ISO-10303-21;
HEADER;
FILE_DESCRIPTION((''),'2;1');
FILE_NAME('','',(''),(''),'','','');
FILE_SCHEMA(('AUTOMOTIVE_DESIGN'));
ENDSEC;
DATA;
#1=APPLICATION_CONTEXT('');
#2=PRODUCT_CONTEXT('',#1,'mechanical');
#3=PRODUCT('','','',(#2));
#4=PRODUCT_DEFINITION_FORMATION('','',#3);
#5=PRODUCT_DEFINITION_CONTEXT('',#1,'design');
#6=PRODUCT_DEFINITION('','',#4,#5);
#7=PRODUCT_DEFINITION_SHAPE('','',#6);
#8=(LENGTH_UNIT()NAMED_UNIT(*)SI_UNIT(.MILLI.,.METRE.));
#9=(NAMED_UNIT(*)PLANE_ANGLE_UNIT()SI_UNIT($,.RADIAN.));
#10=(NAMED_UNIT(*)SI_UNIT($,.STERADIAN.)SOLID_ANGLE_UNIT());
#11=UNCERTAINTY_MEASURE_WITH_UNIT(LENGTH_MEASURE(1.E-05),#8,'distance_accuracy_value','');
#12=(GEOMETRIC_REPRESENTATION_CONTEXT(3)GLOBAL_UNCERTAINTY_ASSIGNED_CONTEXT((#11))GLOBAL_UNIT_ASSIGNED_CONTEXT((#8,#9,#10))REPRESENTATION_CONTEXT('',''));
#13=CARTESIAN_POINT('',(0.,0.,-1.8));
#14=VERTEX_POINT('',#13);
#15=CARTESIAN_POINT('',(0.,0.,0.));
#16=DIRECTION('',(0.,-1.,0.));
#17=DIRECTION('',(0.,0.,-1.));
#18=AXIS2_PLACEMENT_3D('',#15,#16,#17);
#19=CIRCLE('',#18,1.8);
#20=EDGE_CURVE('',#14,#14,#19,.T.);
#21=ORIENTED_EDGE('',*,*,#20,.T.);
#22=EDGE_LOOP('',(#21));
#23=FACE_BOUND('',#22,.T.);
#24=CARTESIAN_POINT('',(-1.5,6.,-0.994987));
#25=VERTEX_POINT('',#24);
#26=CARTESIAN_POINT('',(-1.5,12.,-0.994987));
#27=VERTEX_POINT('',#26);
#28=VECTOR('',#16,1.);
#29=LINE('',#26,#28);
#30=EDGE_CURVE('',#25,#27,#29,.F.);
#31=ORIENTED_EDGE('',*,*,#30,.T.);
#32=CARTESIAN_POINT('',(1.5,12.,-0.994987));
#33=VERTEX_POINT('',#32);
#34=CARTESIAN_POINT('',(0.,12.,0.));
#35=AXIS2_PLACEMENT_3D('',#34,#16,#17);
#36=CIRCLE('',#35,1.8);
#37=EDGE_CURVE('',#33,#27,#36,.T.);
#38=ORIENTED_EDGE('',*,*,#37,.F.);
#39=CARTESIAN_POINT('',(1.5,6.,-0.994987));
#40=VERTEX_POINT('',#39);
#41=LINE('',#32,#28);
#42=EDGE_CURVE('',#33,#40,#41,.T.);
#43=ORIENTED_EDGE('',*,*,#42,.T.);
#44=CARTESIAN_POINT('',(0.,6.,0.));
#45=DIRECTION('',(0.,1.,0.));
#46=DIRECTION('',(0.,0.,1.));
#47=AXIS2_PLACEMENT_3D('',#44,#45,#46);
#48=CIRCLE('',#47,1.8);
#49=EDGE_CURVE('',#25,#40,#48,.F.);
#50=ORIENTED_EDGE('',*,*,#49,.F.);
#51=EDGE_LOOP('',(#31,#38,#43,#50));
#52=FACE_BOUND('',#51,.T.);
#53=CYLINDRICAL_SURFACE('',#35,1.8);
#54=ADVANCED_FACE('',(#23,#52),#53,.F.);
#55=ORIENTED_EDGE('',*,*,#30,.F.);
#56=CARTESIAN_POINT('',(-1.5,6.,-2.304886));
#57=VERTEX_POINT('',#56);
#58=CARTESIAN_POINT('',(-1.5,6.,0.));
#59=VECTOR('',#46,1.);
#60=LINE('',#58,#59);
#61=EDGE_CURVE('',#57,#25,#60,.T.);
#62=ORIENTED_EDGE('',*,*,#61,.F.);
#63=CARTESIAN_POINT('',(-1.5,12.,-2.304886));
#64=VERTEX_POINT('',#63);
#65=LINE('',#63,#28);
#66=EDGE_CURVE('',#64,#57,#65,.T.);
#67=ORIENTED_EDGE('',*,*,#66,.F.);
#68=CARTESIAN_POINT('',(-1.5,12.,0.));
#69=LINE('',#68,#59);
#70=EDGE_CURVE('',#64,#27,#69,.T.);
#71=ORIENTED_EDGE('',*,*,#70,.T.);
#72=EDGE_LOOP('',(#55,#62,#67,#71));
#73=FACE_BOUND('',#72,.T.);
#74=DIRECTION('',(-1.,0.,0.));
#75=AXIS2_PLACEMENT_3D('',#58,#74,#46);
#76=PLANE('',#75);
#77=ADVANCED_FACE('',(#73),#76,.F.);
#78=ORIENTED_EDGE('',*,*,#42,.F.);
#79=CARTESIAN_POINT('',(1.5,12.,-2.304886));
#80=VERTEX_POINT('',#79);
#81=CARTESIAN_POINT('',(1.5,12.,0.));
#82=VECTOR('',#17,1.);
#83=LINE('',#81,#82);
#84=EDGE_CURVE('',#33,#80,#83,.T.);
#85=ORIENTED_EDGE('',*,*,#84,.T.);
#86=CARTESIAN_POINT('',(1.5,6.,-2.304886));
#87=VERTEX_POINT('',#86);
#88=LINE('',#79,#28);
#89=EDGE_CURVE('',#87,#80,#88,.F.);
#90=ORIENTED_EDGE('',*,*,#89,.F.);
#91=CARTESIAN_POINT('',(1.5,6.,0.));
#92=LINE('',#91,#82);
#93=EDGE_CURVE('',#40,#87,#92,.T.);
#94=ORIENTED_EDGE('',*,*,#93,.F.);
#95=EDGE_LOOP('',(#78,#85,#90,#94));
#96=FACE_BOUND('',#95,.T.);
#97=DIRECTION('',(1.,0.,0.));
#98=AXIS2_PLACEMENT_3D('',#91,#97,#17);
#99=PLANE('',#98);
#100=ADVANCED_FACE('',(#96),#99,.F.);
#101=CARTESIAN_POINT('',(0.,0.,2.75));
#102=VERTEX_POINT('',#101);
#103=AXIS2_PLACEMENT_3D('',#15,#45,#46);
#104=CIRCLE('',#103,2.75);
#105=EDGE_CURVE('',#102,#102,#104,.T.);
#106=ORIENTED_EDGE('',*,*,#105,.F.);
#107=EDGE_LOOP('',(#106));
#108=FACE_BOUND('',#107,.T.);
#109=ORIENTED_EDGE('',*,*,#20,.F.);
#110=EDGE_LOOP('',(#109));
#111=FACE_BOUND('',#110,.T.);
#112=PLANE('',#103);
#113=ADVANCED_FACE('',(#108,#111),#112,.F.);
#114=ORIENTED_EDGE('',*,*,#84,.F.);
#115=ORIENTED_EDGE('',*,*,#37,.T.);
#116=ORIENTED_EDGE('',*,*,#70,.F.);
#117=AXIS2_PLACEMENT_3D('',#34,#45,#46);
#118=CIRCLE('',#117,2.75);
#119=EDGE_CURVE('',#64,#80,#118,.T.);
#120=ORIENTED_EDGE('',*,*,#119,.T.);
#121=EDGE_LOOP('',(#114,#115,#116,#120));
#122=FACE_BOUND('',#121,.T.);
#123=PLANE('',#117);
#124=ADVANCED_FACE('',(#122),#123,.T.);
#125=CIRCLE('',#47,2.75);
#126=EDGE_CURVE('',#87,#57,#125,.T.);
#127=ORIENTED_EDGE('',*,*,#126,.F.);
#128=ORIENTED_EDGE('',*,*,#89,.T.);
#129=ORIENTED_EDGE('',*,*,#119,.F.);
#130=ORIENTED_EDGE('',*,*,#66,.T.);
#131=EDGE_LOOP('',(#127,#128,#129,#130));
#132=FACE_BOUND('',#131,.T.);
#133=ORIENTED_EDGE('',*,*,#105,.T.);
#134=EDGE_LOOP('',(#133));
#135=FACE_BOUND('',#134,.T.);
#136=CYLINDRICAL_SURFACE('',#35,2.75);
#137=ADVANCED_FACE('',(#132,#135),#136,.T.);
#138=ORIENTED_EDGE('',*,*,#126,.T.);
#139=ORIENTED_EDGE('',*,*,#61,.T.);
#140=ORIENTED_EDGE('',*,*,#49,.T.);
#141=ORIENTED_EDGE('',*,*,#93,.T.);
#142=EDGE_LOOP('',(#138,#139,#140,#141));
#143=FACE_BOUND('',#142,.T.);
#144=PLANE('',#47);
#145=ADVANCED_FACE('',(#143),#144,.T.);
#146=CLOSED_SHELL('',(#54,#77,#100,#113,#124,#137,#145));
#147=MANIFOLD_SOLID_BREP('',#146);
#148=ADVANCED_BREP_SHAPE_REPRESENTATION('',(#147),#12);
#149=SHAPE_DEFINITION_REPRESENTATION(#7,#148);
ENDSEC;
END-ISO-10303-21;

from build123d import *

# Parameters (mm, degrees)
SKETCH1_R           = 2.75
BOSS_EXTRUDE1_DEPTH = 12
SKETCH3_R           = 1.8
CUT_EXTRUDE1_DEPTH  = 12
SKETCH4_W           = 3
SKETCH4_H           = 2.75
CUT_EXTRUDE2_DEPTH  = 6


with BuildPart() as part:
    # Sketch1 → Boss-Extrude1 (new body)
    with BuildSketch(Plane(origin=(0, 0, 0), x_dir=(1, 0, 0), z_dir=(0, 1, 0))):
        with Locations(Location((0, 0, 0), (0, 0, 270))):
            Circle(SKETCH1_R)
    extrude(amount=BOSS_EXTRUDE1_DEPTH)

    # Sketch3 → Cut-Extrude1 (cut)
    with BuildSketch(Plane.XZ):
        with Locations(Location((0, 0, 0), (0, 0, 270))):
            Circle(SKETCH3_R)
    extrude(amount=-CUT_EXTRUDE1_DEPTH, mode=Mode.SUBTRACT)

    # Sketch4 → Cut-Extrude2 (cut)
    with BuildSketch(Plane(origin=(0, 12, 0), x_dir=(1, 0, 0), z_dir=(0, 1, 0))):
        with Locations((0, 1.375)):
            Rectangle(SKETCH4_W, SKETCH4_H)
    extrude(amount=-CUT_EXTRUDE2_DEPTH, mode=Mode.SUBTRACT)


solid = part.part
